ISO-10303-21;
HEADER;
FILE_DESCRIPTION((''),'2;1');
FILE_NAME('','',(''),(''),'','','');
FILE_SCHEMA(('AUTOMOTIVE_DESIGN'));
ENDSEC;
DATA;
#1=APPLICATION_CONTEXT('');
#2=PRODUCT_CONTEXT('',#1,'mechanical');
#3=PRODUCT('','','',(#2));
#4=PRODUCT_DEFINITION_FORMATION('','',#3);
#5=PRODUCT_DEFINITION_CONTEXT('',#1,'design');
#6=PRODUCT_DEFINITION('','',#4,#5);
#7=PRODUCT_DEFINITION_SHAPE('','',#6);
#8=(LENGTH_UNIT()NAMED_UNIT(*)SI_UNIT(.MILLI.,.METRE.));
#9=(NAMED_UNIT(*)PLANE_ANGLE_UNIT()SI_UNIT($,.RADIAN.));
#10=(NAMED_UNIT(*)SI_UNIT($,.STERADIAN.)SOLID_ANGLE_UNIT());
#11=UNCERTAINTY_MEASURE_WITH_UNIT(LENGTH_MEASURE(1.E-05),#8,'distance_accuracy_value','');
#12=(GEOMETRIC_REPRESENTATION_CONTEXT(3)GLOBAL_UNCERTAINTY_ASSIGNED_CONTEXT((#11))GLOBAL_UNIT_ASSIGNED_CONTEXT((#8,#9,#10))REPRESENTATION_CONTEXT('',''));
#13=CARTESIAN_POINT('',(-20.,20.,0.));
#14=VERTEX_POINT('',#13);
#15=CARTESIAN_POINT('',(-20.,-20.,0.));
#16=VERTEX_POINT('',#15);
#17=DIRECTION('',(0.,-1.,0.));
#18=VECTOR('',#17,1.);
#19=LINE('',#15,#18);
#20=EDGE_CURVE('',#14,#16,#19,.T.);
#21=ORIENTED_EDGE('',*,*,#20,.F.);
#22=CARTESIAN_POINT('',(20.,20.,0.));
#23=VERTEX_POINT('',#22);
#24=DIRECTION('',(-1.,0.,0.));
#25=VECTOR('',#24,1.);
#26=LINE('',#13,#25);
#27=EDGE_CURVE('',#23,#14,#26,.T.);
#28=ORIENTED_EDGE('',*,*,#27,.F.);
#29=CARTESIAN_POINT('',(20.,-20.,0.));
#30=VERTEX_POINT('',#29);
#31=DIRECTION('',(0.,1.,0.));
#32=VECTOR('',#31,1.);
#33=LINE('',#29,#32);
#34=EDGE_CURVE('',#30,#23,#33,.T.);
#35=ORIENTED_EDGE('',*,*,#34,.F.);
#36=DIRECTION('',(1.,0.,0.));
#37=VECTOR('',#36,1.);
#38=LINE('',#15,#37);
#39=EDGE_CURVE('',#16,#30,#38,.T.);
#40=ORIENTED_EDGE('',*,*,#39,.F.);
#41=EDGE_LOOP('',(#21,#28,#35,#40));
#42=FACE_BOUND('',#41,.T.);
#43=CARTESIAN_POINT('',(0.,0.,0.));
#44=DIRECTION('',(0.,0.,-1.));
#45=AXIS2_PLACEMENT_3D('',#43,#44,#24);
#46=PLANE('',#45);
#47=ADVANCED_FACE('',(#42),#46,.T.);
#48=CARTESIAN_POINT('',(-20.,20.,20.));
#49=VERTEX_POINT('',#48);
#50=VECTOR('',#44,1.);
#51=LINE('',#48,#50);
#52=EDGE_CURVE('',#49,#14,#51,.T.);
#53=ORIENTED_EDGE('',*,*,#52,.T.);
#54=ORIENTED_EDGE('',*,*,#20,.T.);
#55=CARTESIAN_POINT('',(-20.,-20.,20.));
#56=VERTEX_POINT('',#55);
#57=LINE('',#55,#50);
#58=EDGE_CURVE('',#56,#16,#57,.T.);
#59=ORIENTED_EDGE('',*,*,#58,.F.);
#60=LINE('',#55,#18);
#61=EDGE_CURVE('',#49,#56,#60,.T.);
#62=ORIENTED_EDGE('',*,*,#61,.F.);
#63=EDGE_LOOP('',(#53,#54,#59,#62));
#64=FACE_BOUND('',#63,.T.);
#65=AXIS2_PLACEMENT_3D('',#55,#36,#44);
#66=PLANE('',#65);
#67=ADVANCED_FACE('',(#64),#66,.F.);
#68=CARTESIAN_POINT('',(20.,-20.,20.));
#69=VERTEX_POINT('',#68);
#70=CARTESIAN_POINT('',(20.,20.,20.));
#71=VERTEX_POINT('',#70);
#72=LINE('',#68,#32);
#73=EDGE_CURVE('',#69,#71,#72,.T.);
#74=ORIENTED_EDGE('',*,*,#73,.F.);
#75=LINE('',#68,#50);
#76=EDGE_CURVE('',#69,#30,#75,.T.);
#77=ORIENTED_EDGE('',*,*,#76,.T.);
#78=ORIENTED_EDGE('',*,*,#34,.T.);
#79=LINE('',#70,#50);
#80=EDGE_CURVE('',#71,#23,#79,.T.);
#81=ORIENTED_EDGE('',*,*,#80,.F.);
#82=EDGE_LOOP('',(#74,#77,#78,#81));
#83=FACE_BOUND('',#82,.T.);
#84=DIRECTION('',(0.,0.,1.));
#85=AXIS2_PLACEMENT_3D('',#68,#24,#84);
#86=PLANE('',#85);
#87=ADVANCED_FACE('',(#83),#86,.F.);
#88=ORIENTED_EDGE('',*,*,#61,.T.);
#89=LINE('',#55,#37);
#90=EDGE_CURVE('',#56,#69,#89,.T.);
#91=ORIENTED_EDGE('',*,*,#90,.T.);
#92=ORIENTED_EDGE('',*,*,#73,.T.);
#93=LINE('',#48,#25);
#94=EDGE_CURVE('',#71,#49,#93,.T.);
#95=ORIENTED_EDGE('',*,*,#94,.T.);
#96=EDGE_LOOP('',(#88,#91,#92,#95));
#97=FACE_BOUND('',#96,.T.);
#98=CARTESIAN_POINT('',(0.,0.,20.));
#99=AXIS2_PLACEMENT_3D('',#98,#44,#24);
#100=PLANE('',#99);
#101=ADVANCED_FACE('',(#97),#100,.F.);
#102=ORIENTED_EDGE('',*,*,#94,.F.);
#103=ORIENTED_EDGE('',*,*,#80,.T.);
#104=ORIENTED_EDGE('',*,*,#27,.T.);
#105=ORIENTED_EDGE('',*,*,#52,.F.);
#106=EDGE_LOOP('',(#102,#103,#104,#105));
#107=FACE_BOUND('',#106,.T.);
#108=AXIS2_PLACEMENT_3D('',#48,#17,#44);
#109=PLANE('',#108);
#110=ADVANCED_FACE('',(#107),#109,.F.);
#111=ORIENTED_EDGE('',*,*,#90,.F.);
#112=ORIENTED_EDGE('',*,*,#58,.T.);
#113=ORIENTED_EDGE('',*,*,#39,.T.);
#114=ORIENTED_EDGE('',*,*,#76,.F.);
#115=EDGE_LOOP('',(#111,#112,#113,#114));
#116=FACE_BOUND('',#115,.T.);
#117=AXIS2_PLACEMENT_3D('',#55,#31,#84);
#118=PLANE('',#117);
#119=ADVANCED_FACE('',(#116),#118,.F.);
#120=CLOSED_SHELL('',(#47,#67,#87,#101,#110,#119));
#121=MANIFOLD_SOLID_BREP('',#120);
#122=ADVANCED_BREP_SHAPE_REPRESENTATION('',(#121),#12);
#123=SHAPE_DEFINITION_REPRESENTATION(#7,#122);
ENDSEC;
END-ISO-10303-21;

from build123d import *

# Parameters (mm, degrees)
SKETCH_1_W      = 40
SKETCH_1_H      = 40
EXTRUDE_1_DEPTH = 20


with BuildPart() as part:
    # 草图1 → 凸台-拉伸1 (new body)
    with BuildSketch(Plane.XY):
        Rectangle(SKETCH_1_W, SKETCH_1_H)
    extrude(amount=EXTRUDE_1_DEPTH)


solid = part.part
